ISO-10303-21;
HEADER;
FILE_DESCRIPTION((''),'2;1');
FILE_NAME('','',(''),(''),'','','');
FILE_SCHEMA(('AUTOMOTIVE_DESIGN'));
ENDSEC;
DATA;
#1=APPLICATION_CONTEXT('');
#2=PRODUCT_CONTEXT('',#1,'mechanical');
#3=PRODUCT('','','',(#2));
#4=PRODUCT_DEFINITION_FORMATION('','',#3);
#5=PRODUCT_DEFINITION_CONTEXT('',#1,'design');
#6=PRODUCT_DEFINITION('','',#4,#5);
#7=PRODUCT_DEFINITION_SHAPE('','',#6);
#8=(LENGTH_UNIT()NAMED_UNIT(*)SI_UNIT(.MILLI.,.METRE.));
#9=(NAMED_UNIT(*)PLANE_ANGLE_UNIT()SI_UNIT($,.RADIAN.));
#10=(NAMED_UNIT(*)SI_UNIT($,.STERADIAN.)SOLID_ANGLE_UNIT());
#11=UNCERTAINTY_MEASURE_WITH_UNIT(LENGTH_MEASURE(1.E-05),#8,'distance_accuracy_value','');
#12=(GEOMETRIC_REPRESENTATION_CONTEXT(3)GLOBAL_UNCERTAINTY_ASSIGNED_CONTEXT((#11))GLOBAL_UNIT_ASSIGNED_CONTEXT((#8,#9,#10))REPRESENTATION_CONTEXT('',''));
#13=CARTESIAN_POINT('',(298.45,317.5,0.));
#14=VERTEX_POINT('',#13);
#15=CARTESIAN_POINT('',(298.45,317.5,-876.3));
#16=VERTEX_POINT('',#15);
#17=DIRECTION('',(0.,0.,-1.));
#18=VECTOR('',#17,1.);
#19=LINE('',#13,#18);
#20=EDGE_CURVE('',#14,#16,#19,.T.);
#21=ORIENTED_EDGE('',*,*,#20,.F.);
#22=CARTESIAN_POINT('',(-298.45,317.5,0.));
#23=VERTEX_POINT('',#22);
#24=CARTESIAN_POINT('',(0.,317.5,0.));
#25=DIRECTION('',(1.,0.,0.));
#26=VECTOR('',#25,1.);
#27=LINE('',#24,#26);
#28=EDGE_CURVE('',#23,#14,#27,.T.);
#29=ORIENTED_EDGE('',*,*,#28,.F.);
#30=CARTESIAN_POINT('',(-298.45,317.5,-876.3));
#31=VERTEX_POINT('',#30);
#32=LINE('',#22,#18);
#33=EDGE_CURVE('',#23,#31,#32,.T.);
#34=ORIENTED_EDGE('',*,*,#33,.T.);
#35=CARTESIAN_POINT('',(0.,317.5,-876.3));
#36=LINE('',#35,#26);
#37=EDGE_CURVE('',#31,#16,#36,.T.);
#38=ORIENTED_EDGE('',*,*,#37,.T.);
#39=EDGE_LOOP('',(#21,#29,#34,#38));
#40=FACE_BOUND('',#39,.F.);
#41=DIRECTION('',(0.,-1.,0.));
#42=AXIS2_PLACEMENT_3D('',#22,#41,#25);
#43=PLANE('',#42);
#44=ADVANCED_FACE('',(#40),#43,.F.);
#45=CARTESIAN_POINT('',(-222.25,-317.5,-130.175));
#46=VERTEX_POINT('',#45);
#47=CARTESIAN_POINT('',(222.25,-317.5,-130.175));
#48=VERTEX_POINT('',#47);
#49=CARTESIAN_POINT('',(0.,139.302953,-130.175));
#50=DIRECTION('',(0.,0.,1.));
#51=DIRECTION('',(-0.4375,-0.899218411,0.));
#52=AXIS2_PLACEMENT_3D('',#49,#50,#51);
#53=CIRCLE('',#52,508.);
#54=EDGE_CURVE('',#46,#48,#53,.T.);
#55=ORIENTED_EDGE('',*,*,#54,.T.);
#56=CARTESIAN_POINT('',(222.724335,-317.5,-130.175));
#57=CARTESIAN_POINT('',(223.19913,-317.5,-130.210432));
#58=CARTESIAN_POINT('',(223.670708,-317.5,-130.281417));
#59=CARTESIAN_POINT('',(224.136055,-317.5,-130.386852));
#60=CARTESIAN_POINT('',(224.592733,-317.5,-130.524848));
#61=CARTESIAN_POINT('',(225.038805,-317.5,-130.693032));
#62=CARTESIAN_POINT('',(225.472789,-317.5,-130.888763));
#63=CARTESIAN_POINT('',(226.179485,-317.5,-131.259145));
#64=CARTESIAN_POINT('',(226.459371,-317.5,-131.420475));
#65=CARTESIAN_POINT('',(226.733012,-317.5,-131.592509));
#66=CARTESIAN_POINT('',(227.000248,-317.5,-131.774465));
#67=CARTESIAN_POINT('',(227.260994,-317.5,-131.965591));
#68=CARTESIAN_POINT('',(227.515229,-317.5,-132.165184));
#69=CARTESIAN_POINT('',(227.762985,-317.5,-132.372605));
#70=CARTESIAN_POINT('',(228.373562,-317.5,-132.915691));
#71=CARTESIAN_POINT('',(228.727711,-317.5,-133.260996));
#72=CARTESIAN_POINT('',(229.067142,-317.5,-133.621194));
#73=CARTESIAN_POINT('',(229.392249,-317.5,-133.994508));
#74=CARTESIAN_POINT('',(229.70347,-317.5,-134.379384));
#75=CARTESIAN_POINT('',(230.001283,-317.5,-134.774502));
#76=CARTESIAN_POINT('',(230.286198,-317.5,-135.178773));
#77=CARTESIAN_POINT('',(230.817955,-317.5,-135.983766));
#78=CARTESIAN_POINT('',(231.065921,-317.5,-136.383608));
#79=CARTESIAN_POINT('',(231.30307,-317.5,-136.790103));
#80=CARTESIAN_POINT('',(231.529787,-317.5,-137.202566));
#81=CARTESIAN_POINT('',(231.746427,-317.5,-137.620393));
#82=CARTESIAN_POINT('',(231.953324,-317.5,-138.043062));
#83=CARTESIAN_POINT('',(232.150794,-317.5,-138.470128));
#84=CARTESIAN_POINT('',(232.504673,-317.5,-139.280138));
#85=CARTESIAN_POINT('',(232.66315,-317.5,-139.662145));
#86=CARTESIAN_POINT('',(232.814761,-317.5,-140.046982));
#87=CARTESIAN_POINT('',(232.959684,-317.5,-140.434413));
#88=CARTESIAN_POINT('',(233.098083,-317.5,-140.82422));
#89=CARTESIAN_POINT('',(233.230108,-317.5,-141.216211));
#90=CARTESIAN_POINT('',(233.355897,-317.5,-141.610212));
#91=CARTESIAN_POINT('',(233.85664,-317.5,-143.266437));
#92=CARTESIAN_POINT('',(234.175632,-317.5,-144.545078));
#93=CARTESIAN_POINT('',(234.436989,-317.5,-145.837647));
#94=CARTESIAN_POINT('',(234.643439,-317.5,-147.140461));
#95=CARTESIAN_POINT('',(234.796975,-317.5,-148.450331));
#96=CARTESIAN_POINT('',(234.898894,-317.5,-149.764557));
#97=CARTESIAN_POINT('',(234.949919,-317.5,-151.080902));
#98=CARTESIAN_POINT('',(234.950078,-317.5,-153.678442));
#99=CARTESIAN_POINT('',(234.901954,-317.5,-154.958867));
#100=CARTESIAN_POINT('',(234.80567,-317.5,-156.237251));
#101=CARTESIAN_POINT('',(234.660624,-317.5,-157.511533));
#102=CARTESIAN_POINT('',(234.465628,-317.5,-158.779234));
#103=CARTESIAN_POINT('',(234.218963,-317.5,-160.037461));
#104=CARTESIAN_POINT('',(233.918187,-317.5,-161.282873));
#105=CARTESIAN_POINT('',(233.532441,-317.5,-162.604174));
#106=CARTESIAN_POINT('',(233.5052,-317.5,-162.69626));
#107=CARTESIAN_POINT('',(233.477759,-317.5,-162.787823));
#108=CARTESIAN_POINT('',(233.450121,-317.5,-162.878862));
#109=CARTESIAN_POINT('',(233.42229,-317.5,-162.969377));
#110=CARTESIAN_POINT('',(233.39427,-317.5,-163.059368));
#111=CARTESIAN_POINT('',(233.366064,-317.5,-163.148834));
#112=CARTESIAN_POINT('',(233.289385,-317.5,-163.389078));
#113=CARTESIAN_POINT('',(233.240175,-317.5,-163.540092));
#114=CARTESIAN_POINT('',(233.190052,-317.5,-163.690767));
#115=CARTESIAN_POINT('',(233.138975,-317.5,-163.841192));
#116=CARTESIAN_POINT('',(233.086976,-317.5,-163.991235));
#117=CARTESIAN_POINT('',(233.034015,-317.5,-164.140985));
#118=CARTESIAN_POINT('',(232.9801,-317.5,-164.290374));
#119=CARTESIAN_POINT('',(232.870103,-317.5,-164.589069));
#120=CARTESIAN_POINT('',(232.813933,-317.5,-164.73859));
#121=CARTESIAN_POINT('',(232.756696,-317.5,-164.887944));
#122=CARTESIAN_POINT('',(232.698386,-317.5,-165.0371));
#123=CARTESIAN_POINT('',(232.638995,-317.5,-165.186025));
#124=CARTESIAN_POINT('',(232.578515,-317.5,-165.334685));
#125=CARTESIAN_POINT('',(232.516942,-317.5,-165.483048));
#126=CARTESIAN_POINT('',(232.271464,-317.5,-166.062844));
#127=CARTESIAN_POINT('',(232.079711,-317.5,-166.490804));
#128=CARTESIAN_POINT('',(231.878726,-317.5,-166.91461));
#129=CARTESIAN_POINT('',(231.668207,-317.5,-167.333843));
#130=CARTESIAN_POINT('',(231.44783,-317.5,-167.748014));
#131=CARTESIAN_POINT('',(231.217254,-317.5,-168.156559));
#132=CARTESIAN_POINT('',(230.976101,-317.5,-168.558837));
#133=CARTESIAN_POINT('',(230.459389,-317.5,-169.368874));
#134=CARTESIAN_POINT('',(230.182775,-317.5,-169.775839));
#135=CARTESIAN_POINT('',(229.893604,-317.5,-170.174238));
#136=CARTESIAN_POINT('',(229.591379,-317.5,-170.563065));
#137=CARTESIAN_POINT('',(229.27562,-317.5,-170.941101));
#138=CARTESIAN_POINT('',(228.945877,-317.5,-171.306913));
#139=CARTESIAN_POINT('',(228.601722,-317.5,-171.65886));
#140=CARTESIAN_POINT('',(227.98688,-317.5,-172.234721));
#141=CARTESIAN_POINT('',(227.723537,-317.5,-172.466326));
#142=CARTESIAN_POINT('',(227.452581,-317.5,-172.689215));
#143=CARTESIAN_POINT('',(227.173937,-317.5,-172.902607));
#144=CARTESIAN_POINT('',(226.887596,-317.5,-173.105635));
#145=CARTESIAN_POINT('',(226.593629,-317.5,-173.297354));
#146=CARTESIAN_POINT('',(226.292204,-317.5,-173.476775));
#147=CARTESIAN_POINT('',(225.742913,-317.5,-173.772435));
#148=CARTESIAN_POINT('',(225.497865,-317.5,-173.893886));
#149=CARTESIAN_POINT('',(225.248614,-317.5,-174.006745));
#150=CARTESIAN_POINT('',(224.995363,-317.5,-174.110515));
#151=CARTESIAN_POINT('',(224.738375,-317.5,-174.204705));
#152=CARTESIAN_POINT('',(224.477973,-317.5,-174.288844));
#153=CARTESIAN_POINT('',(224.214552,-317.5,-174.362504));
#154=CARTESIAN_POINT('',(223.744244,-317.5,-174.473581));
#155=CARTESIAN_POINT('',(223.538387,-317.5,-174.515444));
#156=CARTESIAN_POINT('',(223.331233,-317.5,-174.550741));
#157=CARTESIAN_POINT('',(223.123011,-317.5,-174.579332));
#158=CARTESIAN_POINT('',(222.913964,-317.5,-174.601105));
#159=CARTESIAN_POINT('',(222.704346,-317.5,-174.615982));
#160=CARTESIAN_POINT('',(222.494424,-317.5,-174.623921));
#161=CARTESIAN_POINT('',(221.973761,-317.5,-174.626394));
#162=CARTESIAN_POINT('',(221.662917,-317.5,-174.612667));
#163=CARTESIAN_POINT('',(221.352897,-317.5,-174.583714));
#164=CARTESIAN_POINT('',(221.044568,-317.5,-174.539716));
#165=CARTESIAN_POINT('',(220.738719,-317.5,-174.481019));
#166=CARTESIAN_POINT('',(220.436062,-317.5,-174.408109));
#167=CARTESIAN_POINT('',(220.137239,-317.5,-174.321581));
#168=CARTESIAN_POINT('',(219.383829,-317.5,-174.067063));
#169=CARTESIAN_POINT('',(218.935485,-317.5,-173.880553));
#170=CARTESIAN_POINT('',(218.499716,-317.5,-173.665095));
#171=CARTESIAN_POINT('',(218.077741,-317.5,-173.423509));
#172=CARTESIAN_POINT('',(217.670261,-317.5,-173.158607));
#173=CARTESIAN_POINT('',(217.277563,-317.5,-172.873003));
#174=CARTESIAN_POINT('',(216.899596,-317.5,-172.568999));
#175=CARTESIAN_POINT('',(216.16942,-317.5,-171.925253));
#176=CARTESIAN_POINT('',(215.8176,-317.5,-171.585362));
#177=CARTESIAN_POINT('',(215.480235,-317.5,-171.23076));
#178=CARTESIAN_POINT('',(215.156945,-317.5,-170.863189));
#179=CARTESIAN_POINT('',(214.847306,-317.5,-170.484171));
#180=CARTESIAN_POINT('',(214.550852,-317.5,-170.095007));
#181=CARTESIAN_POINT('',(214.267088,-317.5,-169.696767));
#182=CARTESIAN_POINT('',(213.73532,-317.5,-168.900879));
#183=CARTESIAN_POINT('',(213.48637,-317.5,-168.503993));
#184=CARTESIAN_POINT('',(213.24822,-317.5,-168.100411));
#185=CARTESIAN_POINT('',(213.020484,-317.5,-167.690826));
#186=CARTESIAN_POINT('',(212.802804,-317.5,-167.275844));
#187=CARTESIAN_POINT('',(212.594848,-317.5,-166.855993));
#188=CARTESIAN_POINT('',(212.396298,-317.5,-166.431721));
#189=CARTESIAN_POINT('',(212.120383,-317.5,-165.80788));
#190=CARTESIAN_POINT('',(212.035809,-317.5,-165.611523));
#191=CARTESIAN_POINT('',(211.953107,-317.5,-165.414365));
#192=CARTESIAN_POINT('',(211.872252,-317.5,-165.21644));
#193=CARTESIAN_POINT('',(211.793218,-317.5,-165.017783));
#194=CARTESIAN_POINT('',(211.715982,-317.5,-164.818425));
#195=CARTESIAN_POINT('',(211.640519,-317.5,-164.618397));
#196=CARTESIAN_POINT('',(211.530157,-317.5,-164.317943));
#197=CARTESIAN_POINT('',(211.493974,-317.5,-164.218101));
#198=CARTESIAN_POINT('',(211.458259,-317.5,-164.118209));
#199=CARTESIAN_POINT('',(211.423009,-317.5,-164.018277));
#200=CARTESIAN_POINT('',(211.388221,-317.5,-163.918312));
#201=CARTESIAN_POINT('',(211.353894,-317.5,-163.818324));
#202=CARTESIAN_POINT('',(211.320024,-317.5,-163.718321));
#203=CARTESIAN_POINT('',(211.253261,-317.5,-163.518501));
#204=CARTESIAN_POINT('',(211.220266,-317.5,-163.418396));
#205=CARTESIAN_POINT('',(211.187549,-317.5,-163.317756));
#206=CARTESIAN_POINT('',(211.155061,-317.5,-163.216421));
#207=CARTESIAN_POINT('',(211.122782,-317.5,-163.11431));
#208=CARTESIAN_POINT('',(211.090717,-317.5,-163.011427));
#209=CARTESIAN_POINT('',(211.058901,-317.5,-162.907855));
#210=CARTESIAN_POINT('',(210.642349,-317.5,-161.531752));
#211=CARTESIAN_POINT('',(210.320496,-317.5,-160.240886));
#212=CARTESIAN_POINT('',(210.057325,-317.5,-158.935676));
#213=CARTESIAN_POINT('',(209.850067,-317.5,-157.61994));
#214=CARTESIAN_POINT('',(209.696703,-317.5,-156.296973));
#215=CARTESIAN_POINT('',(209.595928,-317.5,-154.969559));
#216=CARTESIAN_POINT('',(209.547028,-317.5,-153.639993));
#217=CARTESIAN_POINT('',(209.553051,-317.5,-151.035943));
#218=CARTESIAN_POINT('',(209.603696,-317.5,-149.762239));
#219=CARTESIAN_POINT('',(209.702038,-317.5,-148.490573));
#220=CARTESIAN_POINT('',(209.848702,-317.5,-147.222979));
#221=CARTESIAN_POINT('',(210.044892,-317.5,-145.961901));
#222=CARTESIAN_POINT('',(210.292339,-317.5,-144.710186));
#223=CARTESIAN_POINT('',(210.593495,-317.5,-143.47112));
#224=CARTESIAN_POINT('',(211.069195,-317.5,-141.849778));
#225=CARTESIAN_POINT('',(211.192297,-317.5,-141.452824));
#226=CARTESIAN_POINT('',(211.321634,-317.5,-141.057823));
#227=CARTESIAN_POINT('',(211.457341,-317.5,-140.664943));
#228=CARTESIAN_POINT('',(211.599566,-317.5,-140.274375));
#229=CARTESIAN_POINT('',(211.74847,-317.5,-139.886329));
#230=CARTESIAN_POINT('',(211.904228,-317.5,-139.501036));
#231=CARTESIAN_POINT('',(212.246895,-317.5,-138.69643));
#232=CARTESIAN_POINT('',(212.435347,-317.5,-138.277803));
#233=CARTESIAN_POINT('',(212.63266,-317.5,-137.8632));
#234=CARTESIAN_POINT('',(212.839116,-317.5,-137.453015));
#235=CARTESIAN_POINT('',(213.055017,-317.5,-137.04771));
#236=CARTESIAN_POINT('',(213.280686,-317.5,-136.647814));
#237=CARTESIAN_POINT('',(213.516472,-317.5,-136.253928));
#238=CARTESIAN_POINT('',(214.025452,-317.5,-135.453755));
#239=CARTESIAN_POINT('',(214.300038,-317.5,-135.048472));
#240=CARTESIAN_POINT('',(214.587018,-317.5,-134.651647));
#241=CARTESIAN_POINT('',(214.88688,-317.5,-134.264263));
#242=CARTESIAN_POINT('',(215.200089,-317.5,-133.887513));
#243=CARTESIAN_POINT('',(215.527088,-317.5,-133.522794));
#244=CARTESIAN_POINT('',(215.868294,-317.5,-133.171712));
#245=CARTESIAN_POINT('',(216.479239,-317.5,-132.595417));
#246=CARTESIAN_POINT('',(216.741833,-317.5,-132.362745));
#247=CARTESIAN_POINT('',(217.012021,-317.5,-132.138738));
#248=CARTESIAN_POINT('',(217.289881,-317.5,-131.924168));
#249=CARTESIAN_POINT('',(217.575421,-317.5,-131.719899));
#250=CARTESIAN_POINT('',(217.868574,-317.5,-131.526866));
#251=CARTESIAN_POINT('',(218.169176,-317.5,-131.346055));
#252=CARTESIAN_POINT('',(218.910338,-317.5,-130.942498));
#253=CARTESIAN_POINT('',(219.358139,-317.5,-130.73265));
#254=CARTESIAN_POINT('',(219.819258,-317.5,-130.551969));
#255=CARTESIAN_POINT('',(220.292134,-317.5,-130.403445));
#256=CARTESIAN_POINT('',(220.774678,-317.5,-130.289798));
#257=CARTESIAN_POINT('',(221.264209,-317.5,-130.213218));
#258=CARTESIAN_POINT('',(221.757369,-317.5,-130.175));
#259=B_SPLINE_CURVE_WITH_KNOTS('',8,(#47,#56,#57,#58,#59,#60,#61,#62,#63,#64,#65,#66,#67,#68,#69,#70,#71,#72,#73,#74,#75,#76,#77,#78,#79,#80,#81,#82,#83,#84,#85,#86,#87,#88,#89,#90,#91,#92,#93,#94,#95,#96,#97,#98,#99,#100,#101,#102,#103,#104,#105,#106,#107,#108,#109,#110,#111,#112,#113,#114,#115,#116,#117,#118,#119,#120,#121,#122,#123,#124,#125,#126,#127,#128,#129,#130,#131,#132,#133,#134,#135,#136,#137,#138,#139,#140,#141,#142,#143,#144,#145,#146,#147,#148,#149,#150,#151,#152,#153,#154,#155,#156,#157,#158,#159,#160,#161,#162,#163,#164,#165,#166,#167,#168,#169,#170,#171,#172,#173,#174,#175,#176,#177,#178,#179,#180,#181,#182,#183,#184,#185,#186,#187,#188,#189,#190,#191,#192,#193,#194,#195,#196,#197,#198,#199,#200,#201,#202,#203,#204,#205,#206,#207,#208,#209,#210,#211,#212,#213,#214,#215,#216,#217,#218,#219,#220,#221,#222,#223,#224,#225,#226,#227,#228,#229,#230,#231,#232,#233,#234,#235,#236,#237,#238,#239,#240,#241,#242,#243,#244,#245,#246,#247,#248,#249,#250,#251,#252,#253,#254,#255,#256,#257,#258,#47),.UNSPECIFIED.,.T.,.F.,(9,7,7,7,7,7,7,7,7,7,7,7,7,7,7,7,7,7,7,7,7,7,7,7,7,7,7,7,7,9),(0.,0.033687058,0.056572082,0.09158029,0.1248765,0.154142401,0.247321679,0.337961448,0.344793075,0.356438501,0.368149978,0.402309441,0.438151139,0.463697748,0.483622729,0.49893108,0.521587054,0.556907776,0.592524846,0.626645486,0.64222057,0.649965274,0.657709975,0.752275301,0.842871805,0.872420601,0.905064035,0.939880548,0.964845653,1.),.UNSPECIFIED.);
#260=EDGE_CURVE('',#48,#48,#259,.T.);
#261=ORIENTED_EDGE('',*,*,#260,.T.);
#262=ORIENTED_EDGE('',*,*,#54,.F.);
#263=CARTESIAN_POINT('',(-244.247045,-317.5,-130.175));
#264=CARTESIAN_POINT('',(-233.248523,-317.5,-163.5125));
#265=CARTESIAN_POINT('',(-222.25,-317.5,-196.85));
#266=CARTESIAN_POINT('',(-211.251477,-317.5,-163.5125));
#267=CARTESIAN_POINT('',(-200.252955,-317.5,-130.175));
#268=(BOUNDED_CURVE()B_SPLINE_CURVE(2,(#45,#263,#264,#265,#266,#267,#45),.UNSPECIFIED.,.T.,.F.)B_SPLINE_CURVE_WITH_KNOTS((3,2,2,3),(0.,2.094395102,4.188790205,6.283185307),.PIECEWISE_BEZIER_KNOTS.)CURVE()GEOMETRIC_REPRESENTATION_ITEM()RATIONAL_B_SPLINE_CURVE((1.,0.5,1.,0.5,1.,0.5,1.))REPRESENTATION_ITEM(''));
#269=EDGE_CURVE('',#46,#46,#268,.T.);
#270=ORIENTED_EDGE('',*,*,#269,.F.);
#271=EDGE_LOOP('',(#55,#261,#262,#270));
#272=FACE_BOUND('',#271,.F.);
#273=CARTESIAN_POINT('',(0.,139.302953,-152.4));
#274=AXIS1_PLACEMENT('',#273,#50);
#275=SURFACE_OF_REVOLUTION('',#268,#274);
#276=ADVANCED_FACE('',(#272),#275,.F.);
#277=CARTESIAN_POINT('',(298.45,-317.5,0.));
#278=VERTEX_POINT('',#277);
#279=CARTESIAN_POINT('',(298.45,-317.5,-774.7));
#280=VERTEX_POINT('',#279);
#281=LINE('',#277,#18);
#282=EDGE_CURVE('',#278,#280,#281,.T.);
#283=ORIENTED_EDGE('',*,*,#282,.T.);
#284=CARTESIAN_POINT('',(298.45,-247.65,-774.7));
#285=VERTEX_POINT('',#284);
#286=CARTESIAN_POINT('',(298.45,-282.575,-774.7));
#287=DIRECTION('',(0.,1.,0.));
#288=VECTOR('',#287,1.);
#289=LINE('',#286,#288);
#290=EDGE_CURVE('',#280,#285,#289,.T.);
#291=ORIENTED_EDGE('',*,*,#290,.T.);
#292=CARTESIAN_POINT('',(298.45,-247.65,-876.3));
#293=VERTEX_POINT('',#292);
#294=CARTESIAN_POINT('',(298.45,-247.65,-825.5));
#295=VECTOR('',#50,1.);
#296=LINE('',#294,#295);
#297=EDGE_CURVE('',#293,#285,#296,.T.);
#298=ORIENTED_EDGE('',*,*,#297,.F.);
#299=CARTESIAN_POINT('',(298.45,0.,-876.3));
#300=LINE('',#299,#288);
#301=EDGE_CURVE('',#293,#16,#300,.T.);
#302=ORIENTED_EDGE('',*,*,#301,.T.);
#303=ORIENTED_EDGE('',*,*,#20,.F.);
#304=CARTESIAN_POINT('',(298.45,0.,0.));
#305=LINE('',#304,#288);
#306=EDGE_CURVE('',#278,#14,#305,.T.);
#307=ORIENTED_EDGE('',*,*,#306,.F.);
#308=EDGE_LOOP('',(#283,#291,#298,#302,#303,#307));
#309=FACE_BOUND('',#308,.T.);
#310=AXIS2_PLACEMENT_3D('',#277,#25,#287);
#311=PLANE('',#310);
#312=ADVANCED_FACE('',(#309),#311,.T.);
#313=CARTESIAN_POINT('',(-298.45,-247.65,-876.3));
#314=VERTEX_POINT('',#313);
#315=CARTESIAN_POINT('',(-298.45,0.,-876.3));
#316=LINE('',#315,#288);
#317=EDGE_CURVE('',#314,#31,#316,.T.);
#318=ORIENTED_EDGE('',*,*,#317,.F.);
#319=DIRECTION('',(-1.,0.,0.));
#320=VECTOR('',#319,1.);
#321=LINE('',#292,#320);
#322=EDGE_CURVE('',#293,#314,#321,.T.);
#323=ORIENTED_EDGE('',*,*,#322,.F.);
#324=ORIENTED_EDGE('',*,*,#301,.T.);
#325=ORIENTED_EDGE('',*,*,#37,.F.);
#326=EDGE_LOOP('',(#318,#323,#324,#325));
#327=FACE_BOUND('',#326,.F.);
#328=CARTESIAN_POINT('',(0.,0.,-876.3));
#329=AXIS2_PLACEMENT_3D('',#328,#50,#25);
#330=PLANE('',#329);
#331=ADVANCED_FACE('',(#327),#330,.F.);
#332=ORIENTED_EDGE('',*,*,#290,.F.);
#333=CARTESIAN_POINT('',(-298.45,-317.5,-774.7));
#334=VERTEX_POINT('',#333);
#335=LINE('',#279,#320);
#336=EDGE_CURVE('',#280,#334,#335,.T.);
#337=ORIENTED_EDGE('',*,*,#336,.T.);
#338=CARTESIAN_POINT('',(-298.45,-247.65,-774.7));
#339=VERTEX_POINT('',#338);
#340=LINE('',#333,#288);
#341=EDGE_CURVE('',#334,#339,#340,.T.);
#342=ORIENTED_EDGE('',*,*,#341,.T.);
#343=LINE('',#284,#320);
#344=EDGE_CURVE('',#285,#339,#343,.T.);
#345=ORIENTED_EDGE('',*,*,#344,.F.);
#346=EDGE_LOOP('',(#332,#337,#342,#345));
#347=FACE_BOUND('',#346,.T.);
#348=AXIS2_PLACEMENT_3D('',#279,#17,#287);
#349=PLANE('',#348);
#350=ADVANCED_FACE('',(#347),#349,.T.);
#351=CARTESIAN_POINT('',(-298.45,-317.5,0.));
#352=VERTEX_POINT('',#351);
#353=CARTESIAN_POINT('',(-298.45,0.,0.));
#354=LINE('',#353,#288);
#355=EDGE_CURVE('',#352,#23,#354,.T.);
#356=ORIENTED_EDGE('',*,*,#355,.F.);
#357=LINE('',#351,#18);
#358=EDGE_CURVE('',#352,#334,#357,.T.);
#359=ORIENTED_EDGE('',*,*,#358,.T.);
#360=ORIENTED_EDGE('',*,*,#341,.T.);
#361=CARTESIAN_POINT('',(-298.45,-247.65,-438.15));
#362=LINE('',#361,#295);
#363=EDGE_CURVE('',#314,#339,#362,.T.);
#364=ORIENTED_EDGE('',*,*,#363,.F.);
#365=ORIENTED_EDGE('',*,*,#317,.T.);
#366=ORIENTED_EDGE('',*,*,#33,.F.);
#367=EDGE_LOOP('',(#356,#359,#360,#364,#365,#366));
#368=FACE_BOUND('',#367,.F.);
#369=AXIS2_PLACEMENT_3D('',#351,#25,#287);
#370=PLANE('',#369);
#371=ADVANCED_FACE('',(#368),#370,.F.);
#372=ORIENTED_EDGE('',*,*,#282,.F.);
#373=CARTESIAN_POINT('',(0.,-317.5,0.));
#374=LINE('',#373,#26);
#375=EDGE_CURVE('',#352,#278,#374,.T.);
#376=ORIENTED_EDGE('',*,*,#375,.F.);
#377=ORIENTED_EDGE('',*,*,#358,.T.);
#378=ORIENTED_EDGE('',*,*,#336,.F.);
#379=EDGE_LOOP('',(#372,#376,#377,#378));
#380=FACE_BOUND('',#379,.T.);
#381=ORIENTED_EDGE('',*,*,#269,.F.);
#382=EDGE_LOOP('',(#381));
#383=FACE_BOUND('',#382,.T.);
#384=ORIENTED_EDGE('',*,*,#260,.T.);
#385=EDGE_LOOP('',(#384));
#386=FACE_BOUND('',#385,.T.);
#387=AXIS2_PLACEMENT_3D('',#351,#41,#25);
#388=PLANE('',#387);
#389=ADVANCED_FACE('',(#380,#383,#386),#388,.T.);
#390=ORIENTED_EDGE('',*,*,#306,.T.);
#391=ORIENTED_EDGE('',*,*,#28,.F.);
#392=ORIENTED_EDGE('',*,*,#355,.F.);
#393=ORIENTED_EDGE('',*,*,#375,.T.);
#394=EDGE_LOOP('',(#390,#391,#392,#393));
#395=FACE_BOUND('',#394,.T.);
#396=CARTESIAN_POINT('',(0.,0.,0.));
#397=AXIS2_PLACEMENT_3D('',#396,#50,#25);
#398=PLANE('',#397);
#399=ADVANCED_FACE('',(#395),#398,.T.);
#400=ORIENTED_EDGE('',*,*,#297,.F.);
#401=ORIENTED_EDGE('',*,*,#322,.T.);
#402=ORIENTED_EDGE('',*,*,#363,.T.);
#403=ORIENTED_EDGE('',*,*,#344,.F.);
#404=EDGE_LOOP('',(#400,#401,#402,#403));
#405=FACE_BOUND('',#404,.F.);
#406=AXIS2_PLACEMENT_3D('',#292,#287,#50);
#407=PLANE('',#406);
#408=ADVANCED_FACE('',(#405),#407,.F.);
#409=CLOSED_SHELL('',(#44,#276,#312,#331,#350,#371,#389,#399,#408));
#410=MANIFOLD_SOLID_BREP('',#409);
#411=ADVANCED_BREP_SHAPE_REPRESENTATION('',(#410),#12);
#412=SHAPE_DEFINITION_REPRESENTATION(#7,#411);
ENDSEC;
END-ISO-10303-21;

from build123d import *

# Parameters (mm, degrees)
F0_W     = 596.9
F0_H     = 635
F1_DEPTH = 876.3
F6_W     = 69.85
F6_H     = 101.6
F7_DEPTH = 596.9010001


with BuildPart() as f1:
    # F0 (on Top) → F1 (new body)
    with BuildSketch(Plane.XY):
        Rectangle(F0_W, F0_H)
    extrude(amount=-F1_DEPTH)

    # F5: sweep along a path in F3
    with BuildLine(Plane.XY.offset(-152.4)) as f5_path:
        ThreePointArc((-222.25, -317.5), (23.6275020738, -368.1472825465), (263.7350157491, -294.8719447302))
    # F4 (on face) → F5 (sweep)
    with BuildSketch(Plane.XZ.offset(317.5)):
        with BuildLine():
            add(Edge.make_bspline(
                [(-222.25, -130.175), (-244.2470452561, -130.175), (-233.2485226281, -163.5125), (-222.25, -196.85), (-211.2514773719, -163.5125), (-200.2529547439, -130.175), (-222.25, -130.175)],
                knots=[0, 0, 0, 2.0943951024, 2.0943951024, 4.1887902048, 4.1887902048, 6.2831853072, 6.2831853072, 6.2831853072], degree=2, weights=[1, 0.5, 1, 0.5, 1, 0.5, 1]))
        make_face()
    sweep(path=f5_path.line)

    # F6 (on face) → F7 (cut, through all)
    with BuildSketch(Plane.YZ.offset(298.45)):
        with Locations((-282.575, -825.5)):
            Rectangle(F6_W, F6_H)
    extrude(amount=-F7_DEPTH, mode=Mode.SUBTRACT)


solid = f1.part
